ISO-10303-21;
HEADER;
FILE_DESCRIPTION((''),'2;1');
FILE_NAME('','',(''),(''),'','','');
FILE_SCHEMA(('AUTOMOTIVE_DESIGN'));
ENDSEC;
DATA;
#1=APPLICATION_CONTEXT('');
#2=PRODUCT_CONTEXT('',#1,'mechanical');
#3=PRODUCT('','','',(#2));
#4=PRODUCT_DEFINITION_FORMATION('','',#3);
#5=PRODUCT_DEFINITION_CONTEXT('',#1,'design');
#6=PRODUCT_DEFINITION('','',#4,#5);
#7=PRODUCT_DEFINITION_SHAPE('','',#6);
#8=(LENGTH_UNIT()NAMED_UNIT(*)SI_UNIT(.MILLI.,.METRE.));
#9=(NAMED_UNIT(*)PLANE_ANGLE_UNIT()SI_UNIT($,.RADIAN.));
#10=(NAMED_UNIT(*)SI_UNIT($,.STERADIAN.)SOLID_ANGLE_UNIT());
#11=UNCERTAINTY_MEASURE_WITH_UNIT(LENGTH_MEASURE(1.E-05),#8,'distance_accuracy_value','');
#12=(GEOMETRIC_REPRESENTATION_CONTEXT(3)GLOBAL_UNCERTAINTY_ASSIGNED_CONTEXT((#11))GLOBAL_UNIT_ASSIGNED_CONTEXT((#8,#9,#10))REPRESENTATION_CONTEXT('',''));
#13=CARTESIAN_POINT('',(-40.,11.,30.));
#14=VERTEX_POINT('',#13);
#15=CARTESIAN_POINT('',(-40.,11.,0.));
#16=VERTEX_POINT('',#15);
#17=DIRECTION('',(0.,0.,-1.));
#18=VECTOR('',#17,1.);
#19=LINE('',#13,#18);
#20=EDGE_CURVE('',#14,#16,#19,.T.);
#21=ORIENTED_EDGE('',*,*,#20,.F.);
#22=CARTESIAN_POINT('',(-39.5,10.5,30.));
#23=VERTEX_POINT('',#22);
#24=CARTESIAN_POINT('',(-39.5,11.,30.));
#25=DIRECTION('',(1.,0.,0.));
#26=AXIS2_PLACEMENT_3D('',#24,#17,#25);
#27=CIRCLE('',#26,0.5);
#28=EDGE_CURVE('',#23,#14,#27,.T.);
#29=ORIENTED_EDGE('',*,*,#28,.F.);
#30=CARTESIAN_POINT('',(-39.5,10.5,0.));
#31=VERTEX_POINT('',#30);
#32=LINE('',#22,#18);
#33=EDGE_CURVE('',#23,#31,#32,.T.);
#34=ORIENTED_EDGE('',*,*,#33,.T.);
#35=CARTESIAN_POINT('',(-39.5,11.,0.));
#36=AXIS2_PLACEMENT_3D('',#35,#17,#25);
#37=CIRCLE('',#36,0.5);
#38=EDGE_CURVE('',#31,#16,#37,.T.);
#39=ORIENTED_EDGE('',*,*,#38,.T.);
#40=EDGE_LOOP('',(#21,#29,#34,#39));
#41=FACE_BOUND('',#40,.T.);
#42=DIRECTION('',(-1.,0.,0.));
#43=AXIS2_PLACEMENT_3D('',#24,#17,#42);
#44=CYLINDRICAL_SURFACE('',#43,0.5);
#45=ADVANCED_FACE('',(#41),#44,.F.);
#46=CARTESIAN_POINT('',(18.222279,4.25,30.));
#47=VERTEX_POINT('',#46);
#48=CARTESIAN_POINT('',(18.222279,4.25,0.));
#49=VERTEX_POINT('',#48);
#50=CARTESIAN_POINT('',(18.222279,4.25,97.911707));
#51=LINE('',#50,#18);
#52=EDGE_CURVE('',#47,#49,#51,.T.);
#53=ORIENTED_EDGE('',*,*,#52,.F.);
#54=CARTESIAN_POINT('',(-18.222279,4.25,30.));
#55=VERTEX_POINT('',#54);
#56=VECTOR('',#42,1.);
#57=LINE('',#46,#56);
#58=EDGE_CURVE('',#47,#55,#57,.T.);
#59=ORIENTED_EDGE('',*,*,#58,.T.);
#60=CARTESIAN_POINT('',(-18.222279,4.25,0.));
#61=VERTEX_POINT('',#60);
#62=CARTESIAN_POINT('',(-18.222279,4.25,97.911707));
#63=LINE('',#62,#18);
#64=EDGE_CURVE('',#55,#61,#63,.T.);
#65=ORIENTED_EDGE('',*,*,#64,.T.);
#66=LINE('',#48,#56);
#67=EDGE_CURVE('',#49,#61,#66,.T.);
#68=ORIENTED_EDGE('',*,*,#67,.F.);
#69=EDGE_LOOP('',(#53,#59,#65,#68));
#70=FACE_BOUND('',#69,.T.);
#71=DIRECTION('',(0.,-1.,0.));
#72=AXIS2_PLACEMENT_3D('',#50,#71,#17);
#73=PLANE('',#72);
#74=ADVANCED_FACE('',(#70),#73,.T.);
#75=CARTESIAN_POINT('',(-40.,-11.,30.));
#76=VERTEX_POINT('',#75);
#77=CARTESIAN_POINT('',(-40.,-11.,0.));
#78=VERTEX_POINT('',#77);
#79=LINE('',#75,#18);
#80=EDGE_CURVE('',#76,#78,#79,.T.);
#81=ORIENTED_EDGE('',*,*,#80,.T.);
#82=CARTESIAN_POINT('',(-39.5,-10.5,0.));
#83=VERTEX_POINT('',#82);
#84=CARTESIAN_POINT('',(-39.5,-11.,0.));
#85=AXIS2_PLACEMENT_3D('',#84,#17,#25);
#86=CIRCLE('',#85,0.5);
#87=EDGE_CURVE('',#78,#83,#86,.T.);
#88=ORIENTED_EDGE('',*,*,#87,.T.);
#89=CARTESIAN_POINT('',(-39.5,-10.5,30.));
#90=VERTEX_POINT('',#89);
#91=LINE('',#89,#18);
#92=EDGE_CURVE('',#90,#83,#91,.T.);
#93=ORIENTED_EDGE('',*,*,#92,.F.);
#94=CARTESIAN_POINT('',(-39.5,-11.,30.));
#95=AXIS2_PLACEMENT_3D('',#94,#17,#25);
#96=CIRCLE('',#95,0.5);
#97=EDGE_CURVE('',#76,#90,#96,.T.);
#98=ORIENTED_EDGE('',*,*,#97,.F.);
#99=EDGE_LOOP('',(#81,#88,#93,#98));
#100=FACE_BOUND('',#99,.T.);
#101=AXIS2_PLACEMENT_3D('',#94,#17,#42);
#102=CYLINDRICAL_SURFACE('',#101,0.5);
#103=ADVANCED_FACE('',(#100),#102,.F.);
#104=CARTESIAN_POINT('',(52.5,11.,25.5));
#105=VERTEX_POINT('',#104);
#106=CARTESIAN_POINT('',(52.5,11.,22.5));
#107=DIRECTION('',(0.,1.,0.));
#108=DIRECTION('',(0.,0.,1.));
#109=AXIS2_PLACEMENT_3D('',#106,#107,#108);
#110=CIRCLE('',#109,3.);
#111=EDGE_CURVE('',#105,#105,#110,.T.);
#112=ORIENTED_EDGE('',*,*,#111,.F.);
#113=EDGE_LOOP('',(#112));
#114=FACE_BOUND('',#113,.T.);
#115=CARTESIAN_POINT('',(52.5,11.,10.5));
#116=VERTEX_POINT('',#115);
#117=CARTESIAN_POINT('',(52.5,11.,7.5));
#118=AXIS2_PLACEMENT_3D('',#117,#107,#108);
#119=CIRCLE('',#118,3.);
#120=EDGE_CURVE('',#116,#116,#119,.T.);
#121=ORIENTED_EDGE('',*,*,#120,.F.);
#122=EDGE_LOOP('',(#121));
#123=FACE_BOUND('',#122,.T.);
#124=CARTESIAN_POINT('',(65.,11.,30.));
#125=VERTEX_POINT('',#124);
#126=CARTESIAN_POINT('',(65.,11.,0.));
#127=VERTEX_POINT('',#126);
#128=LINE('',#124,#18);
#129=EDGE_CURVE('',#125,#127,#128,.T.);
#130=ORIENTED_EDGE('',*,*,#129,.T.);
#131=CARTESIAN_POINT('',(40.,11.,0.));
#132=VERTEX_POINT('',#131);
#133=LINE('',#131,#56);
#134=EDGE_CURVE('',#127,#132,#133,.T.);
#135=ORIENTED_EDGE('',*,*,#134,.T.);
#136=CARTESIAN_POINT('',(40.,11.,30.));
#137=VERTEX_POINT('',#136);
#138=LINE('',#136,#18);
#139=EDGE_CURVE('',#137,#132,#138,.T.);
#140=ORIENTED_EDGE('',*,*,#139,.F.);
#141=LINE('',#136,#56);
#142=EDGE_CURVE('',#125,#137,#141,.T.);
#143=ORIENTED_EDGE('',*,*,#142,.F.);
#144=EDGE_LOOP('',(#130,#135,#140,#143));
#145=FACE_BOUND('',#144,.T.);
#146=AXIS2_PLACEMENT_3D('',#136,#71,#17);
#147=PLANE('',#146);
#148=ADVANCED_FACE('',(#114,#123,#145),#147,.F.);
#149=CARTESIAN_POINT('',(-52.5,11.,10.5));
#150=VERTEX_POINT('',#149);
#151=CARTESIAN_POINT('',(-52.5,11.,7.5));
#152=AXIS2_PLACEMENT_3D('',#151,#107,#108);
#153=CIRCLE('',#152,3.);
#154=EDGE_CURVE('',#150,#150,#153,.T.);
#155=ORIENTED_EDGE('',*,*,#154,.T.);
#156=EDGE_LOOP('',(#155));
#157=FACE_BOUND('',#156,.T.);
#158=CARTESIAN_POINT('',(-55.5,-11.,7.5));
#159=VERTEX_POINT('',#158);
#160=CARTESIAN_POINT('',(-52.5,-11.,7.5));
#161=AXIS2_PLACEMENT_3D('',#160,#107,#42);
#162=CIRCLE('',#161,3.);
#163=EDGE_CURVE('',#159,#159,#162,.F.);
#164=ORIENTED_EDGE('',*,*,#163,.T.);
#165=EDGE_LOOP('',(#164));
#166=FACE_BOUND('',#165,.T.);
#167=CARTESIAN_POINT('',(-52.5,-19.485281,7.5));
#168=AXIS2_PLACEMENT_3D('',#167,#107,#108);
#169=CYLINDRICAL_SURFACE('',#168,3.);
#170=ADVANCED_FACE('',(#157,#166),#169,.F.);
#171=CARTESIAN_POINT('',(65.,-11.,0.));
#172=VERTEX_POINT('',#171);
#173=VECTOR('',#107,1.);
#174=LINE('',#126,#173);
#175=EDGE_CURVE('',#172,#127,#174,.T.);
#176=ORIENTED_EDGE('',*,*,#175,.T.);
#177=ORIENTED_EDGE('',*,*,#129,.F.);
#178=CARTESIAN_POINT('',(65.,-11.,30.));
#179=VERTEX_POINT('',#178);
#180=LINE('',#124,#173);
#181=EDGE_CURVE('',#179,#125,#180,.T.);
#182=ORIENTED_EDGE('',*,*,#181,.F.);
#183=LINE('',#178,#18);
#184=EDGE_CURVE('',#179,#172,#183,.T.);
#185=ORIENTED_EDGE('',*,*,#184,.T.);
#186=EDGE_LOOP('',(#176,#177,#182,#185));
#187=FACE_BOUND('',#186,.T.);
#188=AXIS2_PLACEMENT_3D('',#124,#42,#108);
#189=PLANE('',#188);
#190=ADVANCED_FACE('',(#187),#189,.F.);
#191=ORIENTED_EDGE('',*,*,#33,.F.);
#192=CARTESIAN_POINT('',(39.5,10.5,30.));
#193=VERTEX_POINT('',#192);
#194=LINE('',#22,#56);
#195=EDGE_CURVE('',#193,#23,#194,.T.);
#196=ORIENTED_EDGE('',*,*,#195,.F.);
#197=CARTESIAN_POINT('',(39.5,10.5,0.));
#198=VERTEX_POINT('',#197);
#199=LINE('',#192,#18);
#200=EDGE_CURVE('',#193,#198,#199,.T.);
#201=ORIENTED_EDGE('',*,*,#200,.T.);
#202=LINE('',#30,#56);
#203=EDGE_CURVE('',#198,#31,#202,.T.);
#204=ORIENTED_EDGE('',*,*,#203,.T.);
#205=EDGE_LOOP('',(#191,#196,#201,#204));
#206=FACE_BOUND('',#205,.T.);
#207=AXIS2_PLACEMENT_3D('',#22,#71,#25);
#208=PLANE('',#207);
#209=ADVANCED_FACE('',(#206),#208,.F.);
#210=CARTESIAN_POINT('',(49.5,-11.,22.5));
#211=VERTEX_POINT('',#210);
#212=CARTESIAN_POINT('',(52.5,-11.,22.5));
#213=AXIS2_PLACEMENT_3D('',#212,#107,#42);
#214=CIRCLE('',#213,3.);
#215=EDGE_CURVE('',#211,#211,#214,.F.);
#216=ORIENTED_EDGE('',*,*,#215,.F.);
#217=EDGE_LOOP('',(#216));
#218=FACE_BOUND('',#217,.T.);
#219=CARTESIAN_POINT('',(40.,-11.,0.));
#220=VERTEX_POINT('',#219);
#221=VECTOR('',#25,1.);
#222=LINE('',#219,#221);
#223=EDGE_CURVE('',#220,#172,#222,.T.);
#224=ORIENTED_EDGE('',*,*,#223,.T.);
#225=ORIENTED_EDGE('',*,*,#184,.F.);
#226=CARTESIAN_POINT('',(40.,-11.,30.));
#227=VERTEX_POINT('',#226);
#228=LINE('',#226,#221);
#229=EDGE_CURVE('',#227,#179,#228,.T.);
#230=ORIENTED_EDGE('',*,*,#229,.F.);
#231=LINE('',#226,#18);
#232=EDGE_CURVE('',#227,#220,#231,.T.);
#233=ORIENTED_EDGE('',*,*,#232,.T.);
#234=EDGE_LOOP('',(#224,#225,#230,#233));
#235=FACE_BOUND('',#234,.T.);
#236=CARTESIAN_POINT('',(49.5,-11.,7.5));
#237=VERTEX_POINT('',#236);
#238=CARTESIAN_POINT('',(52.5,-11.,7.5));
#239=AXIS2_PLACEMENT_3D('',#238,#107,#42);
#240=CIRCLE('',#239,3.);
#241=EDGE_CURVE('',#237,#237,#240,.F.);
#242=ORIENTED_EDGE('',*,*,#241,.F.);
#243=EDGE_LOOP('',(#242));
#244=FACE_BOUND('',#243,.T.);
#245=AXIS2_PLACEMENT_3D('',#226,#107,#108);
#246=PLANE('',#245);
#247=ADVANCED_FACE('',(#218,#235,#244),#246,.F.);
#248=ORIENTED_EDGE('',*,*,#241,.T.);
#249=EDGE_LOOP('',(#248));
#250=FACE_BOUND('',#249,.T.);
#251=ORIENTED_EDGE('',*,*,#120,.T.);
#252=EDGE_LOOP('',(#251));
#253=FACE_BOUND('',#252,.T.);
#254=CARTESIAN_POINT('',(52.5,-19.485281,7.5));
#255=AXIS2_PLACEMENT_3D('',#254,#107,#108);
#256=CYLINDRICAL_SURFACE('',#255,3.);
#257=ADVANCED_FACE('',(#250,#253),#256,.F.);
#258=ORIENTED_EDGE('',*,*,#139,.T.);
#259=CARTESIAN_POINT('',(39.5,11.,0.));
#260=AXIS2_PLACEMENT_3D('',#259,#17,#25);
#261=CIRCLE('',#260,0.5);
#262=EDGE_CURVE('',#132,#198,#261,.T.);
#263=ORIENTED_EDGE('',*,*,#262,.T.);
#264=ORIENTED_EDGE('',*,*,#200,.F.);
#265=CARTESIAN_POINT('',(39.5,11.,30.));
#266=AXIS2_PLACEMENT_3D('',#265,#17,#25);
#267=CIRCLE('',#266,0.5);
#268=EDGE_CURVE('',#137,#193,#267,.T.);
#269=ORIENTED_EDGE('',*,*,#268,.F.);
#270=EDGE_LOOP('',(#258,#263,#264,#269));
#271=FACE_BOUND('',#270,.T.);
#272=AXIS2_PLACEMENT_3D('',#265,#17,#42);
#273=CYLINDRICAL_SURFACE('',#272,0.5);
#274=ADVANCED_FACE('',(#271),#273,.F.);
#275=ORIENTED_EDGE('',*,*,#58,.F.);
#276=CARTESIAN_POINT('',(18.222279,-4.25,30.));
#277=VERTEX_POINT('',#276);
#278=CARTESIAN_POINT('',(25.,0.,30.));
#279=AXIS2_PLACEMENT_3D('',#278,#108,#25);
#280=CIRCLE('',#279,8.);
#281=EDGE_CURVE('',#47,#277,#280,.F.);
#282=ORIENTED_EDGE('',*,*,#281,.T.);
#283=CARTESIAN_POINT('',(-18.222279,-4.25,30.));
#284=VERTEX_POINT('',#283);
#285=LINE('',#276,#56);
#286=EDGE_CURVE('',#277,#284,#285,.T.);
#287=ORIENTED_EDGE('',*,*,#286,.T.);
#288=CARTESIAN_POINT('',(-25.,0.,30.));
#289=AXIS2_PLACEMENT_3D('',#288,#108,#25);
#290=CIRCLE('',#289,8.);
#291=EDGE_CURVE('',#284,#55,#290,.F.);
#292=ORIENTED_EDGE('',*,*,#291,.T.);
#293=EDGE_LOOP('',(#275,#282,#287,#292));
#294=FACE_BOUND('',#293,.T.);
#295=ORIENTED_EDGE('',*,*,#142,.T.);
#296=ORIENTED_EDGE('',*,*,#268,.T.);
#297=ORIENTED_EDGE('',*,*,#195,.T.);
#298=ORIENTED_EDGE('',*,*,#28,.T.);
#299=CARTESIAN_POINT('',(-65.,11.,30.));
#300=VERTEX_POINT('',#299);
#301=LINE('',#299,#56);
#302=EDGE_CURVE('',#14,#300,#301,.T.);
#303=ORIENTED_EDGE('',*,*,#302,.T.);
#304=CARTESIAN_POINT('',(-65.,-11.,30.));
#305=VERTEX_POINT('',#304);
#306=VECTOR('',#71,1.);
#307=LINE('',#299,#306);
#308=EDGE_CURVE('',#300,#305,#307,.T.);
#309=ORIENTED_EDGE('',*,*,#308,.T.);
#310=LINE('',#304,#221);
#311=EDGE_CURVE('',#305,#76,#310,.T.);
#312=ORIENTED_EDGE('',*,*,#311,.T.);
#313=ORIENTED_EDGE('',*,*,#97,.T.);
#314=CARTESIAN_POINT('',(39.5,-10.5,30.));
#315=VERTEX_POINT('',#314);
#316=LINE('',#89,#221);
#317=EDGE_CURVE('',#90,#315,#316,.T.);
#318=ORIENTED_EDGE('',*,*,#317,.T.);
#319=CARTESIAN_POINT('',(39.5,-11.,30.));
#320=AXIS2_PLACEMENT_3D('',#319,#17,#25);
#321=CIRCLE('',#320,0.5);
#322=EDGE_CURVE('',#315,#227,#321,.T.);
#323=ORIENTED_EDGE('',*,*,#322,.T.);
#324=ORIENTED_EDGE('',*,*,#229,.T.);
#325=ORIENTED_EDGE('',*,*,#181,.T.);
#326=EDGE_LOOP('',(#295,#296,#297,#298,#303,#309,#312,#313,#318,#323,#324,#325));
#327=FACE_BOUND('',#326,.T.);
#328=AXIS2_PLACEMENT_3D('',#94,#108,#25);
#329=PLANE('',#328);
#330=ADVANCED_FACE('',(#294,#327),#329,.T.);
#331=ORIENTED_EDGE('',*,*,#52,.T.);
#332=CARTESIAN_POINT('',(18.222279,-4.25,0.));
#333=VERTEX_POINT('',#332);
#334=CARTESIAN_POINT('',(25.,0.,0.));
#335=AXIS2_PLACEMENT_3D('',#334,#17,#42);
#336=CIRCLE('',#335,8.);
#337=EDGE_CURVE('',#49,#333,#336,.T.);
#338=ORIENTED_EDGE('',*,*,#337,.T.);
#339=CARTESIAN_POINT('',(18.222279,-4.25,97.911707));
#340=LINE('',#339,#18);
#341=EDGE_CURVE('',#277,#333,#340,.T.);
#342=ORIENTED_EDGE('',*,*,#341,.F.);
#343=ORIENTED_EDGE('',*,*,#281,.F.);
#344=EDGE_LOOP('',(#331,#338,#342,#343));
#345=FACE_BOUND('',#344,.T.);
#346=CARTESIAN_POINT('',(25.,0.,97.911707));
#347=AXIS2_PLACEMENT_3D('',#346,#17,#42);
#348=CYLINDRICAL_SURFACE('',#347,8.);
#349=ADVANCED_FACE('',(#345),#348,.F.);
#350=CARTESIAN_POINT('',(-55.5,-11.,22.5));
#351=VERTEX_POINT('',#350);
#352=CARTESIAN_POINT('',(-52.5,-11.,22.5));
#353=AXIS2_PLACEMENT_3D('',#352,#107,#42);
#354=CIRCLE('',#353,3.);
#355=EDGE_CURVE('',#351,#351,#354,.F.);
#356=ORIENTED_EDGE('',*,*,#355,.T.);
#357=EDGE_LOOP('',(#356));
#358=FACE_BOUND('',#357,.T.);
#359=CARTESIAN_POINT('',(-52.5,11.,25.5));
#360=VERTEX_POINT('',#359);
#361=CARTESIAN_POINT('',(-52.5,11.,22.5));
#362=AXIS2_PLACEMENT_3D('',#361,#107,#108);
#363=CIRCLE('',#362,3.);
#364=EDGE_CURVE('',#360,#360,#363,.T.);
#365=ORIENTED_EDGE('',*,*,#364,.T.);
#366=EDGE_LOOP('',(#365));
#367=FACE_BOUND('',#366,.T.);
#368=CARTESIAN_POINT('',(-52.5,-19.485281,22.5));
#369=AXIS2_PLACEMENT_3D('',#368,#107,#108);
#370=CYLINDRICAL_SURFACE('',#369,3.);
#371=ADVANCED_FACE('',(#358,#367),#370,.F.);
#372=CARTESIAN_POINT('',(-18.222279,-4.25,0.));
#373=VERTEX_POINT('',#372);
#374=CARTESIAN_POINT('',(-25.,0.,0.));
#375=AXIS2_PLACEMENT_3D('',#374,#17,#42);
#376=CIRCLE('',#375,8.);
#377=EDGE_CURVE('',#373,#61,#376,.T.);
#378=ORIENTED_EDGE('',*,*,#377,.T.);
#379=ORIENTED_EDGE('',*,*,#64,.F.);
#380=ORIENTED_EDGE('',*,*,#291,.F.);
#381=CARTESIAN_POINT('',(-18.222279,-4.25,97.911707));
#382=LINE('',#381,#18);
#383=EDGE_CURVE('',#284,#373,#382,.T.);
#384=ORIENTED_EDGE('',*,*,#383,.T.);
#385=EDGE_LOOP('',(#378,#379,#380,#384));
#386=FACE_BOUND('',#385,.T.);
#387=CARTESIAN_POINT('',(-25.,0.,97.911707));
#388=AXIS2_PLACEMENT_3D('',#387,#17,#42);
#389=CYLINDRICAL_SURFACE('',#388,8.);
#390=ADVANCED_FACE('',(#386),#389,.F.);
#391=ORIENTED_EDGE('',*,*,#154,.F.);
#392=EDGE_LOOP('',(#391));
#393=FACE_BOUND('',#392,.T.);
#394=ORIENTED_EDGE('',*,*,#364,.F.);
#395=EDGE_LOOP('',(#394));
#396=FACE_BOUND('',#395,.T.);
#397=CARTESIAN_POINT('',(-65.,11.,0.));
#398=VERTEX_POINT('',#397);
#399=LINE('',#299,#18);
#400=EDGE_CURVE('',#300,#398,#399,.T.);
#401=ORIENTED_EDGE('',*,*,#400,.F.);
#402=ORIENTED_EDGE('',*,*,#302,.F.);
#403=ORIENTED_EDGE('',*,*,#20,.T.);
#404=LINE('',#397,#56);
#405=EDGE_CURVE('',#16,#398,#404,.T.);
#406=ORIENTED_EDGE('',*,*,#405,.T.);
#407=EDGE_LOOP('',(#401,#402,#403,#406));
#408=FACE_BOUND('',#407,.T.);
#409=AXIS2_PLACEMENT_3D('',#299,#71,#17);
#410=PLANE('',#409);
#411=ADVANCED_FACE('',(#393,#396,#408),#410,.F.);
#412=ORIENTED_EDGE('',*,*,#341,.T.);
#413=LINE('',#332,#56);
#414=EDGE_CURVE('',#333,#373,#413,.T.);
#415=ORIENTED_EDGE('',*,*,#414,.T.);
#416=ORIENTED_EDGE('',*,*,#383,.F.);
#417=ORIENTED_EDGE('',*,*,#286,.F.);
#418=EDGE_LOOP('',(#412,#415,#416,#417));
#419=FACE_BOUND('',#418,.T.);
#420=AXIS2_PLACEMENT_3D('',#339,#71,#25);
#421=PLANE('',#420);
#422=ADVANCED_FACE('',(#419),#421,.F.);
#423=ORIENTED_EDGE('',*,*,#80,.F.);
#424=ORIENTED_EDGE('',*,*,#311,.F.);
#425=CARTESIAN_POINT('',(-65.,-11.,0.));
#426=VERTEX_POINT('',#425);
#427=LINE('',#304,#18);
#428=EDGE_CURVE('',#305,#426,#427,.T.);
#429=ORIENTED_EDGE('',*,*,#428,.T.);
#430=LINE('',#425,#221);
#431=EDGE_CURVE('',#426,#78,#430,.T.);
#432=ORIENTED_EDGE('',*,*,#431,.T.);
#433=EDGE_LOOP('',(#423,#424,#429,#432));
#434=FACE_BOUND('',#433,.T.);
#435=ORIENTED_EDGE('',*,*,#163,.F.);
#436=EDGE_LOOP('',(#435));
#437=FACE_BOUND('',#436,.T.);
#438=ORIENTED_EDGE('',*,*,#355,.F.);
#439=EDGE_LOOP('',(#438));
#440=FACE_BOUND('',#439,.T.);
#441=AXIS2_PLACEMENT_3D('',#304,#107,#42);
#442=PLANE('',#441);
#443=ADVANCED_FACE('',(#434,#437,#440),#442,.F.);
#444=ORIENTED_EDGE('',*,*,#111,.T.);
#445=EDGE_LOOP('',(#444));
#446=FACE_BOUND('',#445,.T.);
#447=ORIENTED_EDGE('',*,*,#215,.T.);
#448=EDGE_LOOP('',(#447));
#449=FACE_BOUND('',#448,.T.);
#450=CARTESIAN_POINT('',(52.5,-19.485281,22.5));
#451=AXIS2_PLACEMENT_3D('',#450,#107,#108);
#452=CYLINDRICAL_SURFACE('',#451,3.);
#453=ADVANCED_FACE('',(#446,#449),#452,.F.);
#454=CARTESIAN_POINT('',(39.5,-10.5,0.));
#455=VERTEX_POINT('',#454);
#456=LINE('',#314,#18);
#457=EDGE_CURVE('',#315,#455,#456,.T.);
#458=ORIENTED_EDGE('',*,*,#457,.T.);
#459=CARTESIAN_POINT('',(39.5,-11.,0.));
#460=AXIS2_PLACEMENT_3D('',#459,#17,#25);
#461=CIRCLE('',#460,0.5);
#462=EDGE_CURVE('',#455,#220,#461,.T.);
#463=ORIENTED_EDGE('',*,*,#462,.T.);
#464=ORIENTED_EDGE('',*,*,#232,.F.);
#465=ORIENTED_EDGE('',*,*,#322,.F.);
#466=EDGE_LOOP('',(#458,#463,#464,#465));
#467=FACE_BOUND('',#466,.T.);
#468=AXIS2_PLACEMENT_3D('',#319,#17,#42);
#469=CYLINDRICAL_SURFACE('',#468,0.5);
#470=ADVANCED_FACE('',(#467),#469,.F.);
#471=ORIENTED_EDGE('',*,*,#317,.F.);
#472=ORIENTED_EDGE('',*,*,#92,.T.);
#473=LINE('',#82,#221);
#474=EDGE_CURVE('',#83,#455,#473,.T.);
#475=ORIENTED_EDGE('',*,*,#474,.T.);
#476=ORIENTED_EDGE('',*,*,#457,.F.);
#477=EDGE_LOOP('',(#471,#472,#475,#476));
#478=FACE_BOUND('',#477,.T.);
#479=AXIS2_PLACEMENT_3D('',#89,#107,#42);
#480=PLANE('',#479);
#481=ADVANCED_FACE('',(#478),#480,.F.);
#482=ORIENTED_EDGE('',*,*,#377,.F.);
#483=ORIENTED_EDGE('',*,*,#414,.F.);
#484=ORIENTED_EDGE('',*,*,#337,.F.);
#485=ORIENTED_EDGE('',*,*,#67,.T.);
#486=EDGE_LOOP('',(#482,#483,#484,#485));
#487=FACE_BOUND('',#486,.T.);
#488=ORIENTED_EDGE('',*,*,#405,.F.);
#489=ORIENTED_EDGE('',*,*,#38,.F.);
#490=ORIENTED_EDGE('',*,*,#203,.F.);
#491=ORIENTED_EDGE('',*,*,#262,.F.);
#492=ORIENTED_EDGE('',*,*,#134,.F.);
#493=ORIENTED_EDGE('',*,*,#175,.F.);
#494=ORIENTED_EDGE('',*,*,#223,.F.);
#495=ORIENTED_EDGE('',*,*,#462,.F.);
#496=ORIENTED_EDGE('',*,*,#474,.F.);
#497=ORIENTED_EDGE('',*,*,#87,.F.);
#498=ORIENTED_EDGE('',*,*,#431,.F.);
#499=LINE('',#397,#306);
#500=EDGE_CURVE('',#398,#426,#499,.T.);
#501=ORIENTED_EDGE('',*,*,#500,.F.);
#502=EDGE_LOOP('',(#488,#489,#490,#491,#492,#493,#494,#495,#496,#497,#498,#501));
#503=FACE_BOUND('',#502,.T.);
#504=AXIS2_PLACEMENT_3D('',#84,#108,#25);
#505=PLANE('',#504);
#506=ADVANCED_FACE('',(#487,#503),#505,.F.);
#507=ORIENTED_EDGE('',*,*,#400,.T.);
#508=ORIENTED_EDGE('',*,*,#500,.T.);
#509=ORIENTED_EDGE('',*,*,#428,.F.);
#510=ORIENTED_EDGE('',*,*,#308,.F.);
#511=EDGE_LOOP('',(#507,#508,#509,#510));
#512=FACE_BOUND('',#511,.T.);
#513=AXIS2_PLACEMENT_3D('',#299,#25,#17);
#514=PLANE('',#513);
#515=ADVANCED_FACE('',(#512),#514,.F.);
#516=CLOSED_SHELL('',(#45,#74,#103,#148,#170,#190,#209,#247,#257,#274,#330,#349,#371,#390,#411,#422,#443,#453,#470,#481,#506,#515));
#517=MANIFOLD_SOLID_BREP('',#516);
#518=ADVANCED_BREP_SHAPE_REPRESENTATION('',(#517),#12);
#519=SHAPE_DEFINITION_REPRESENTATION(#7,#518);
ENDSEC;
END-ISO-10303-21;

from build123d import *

# Parameters (mm, degrees)
EXTRUDE_1_DEPTH     = 30
SKETCH_2_R          = 3
CUT_EXTRUDE_1_DEPTH = 22
CUT_EXTRUDE_2_DEPTH = 30


with BuildPart() as part:
    # 스케치1 → 보스-돌출1 (new body)
    with BuildSketch(Plane.XY):
        with BuildLine():
            Line((40, 11), (65, 11))
            Line((65, 11), (65, -11))
            Line((65, -11), (40, -11))
            ThreePointArc((40, -11), (39.853553391, -10.646446609), (39.5, -10.5))
            Line((39.5, -10.5), (-39.5, -10.5))
            ThreePointArc((-39.5, -10.5), (-39.853553391, -10.646446609), (-40, -11))
            Line((-40, -11), (-65, -11))
            Line((-65, -11), (-65, 11))
            Line((-65, 11), (-40, 11))
            ThreePointArc((-40, 11), (-39.853553391, 10.646446609), (-39.5, 10.5))
            Line((-39.5, 10.5), (39.5, 10.5))
            ThreePointArc((39.5, 10.5), (39.853553391, 10.646446609), (40, 11))
        make_face()
    extrude(amount=EXTRUDE_1_DEPTH)

    # 스케치2 → 컷-돌출1 (cut)
    with BuildSketch(Plane(origin=(0, 11, 0), x_dir=(1, 0, 0), z_dir=(0, 1, 0))):
        with Locations((52.5, -7.5)):
            Circle(SKETCH_2_R)
        with Locations((52.5, -22.5)):
            Circle(SKETCH_2_R)
        with Locations((-52.5, -7.5)):
            Circle(SKETCH_2_R)
        with Locations((-52.5, -22.5)):
            Circle(SKETCH_2_R)
    extrude(amount=-CUT_EXTRUDE_1_DEPTH, mode=Mode.SUBTRACT)

    # 스케치4 → 컷-돌출2 (cut)
    with BuildSketch(Plane(origin=(0, 0, 0), x_dir=(-1, 0, 0), z_dir=(0, 0, -1))):
        with BuildLine():
            Line((-18.222279144, 4.25), (18.222279144, 4.25))
            ThreePointArc((18.222279144, 4.25), (33, 0), (18.222279144, -4.25))
            Line((18.222279144, -4.25), (-18.222279144, -4.25))
            ThreePointArc((-18.222279144, -4.25), (-33, 0), (-18.222279144, 4.25))
        make_face()
    extrude(amount=-CUT_EXTRUDE_2_DEPTH, mode=Mode.SUBTRACT)


solid = part.part
